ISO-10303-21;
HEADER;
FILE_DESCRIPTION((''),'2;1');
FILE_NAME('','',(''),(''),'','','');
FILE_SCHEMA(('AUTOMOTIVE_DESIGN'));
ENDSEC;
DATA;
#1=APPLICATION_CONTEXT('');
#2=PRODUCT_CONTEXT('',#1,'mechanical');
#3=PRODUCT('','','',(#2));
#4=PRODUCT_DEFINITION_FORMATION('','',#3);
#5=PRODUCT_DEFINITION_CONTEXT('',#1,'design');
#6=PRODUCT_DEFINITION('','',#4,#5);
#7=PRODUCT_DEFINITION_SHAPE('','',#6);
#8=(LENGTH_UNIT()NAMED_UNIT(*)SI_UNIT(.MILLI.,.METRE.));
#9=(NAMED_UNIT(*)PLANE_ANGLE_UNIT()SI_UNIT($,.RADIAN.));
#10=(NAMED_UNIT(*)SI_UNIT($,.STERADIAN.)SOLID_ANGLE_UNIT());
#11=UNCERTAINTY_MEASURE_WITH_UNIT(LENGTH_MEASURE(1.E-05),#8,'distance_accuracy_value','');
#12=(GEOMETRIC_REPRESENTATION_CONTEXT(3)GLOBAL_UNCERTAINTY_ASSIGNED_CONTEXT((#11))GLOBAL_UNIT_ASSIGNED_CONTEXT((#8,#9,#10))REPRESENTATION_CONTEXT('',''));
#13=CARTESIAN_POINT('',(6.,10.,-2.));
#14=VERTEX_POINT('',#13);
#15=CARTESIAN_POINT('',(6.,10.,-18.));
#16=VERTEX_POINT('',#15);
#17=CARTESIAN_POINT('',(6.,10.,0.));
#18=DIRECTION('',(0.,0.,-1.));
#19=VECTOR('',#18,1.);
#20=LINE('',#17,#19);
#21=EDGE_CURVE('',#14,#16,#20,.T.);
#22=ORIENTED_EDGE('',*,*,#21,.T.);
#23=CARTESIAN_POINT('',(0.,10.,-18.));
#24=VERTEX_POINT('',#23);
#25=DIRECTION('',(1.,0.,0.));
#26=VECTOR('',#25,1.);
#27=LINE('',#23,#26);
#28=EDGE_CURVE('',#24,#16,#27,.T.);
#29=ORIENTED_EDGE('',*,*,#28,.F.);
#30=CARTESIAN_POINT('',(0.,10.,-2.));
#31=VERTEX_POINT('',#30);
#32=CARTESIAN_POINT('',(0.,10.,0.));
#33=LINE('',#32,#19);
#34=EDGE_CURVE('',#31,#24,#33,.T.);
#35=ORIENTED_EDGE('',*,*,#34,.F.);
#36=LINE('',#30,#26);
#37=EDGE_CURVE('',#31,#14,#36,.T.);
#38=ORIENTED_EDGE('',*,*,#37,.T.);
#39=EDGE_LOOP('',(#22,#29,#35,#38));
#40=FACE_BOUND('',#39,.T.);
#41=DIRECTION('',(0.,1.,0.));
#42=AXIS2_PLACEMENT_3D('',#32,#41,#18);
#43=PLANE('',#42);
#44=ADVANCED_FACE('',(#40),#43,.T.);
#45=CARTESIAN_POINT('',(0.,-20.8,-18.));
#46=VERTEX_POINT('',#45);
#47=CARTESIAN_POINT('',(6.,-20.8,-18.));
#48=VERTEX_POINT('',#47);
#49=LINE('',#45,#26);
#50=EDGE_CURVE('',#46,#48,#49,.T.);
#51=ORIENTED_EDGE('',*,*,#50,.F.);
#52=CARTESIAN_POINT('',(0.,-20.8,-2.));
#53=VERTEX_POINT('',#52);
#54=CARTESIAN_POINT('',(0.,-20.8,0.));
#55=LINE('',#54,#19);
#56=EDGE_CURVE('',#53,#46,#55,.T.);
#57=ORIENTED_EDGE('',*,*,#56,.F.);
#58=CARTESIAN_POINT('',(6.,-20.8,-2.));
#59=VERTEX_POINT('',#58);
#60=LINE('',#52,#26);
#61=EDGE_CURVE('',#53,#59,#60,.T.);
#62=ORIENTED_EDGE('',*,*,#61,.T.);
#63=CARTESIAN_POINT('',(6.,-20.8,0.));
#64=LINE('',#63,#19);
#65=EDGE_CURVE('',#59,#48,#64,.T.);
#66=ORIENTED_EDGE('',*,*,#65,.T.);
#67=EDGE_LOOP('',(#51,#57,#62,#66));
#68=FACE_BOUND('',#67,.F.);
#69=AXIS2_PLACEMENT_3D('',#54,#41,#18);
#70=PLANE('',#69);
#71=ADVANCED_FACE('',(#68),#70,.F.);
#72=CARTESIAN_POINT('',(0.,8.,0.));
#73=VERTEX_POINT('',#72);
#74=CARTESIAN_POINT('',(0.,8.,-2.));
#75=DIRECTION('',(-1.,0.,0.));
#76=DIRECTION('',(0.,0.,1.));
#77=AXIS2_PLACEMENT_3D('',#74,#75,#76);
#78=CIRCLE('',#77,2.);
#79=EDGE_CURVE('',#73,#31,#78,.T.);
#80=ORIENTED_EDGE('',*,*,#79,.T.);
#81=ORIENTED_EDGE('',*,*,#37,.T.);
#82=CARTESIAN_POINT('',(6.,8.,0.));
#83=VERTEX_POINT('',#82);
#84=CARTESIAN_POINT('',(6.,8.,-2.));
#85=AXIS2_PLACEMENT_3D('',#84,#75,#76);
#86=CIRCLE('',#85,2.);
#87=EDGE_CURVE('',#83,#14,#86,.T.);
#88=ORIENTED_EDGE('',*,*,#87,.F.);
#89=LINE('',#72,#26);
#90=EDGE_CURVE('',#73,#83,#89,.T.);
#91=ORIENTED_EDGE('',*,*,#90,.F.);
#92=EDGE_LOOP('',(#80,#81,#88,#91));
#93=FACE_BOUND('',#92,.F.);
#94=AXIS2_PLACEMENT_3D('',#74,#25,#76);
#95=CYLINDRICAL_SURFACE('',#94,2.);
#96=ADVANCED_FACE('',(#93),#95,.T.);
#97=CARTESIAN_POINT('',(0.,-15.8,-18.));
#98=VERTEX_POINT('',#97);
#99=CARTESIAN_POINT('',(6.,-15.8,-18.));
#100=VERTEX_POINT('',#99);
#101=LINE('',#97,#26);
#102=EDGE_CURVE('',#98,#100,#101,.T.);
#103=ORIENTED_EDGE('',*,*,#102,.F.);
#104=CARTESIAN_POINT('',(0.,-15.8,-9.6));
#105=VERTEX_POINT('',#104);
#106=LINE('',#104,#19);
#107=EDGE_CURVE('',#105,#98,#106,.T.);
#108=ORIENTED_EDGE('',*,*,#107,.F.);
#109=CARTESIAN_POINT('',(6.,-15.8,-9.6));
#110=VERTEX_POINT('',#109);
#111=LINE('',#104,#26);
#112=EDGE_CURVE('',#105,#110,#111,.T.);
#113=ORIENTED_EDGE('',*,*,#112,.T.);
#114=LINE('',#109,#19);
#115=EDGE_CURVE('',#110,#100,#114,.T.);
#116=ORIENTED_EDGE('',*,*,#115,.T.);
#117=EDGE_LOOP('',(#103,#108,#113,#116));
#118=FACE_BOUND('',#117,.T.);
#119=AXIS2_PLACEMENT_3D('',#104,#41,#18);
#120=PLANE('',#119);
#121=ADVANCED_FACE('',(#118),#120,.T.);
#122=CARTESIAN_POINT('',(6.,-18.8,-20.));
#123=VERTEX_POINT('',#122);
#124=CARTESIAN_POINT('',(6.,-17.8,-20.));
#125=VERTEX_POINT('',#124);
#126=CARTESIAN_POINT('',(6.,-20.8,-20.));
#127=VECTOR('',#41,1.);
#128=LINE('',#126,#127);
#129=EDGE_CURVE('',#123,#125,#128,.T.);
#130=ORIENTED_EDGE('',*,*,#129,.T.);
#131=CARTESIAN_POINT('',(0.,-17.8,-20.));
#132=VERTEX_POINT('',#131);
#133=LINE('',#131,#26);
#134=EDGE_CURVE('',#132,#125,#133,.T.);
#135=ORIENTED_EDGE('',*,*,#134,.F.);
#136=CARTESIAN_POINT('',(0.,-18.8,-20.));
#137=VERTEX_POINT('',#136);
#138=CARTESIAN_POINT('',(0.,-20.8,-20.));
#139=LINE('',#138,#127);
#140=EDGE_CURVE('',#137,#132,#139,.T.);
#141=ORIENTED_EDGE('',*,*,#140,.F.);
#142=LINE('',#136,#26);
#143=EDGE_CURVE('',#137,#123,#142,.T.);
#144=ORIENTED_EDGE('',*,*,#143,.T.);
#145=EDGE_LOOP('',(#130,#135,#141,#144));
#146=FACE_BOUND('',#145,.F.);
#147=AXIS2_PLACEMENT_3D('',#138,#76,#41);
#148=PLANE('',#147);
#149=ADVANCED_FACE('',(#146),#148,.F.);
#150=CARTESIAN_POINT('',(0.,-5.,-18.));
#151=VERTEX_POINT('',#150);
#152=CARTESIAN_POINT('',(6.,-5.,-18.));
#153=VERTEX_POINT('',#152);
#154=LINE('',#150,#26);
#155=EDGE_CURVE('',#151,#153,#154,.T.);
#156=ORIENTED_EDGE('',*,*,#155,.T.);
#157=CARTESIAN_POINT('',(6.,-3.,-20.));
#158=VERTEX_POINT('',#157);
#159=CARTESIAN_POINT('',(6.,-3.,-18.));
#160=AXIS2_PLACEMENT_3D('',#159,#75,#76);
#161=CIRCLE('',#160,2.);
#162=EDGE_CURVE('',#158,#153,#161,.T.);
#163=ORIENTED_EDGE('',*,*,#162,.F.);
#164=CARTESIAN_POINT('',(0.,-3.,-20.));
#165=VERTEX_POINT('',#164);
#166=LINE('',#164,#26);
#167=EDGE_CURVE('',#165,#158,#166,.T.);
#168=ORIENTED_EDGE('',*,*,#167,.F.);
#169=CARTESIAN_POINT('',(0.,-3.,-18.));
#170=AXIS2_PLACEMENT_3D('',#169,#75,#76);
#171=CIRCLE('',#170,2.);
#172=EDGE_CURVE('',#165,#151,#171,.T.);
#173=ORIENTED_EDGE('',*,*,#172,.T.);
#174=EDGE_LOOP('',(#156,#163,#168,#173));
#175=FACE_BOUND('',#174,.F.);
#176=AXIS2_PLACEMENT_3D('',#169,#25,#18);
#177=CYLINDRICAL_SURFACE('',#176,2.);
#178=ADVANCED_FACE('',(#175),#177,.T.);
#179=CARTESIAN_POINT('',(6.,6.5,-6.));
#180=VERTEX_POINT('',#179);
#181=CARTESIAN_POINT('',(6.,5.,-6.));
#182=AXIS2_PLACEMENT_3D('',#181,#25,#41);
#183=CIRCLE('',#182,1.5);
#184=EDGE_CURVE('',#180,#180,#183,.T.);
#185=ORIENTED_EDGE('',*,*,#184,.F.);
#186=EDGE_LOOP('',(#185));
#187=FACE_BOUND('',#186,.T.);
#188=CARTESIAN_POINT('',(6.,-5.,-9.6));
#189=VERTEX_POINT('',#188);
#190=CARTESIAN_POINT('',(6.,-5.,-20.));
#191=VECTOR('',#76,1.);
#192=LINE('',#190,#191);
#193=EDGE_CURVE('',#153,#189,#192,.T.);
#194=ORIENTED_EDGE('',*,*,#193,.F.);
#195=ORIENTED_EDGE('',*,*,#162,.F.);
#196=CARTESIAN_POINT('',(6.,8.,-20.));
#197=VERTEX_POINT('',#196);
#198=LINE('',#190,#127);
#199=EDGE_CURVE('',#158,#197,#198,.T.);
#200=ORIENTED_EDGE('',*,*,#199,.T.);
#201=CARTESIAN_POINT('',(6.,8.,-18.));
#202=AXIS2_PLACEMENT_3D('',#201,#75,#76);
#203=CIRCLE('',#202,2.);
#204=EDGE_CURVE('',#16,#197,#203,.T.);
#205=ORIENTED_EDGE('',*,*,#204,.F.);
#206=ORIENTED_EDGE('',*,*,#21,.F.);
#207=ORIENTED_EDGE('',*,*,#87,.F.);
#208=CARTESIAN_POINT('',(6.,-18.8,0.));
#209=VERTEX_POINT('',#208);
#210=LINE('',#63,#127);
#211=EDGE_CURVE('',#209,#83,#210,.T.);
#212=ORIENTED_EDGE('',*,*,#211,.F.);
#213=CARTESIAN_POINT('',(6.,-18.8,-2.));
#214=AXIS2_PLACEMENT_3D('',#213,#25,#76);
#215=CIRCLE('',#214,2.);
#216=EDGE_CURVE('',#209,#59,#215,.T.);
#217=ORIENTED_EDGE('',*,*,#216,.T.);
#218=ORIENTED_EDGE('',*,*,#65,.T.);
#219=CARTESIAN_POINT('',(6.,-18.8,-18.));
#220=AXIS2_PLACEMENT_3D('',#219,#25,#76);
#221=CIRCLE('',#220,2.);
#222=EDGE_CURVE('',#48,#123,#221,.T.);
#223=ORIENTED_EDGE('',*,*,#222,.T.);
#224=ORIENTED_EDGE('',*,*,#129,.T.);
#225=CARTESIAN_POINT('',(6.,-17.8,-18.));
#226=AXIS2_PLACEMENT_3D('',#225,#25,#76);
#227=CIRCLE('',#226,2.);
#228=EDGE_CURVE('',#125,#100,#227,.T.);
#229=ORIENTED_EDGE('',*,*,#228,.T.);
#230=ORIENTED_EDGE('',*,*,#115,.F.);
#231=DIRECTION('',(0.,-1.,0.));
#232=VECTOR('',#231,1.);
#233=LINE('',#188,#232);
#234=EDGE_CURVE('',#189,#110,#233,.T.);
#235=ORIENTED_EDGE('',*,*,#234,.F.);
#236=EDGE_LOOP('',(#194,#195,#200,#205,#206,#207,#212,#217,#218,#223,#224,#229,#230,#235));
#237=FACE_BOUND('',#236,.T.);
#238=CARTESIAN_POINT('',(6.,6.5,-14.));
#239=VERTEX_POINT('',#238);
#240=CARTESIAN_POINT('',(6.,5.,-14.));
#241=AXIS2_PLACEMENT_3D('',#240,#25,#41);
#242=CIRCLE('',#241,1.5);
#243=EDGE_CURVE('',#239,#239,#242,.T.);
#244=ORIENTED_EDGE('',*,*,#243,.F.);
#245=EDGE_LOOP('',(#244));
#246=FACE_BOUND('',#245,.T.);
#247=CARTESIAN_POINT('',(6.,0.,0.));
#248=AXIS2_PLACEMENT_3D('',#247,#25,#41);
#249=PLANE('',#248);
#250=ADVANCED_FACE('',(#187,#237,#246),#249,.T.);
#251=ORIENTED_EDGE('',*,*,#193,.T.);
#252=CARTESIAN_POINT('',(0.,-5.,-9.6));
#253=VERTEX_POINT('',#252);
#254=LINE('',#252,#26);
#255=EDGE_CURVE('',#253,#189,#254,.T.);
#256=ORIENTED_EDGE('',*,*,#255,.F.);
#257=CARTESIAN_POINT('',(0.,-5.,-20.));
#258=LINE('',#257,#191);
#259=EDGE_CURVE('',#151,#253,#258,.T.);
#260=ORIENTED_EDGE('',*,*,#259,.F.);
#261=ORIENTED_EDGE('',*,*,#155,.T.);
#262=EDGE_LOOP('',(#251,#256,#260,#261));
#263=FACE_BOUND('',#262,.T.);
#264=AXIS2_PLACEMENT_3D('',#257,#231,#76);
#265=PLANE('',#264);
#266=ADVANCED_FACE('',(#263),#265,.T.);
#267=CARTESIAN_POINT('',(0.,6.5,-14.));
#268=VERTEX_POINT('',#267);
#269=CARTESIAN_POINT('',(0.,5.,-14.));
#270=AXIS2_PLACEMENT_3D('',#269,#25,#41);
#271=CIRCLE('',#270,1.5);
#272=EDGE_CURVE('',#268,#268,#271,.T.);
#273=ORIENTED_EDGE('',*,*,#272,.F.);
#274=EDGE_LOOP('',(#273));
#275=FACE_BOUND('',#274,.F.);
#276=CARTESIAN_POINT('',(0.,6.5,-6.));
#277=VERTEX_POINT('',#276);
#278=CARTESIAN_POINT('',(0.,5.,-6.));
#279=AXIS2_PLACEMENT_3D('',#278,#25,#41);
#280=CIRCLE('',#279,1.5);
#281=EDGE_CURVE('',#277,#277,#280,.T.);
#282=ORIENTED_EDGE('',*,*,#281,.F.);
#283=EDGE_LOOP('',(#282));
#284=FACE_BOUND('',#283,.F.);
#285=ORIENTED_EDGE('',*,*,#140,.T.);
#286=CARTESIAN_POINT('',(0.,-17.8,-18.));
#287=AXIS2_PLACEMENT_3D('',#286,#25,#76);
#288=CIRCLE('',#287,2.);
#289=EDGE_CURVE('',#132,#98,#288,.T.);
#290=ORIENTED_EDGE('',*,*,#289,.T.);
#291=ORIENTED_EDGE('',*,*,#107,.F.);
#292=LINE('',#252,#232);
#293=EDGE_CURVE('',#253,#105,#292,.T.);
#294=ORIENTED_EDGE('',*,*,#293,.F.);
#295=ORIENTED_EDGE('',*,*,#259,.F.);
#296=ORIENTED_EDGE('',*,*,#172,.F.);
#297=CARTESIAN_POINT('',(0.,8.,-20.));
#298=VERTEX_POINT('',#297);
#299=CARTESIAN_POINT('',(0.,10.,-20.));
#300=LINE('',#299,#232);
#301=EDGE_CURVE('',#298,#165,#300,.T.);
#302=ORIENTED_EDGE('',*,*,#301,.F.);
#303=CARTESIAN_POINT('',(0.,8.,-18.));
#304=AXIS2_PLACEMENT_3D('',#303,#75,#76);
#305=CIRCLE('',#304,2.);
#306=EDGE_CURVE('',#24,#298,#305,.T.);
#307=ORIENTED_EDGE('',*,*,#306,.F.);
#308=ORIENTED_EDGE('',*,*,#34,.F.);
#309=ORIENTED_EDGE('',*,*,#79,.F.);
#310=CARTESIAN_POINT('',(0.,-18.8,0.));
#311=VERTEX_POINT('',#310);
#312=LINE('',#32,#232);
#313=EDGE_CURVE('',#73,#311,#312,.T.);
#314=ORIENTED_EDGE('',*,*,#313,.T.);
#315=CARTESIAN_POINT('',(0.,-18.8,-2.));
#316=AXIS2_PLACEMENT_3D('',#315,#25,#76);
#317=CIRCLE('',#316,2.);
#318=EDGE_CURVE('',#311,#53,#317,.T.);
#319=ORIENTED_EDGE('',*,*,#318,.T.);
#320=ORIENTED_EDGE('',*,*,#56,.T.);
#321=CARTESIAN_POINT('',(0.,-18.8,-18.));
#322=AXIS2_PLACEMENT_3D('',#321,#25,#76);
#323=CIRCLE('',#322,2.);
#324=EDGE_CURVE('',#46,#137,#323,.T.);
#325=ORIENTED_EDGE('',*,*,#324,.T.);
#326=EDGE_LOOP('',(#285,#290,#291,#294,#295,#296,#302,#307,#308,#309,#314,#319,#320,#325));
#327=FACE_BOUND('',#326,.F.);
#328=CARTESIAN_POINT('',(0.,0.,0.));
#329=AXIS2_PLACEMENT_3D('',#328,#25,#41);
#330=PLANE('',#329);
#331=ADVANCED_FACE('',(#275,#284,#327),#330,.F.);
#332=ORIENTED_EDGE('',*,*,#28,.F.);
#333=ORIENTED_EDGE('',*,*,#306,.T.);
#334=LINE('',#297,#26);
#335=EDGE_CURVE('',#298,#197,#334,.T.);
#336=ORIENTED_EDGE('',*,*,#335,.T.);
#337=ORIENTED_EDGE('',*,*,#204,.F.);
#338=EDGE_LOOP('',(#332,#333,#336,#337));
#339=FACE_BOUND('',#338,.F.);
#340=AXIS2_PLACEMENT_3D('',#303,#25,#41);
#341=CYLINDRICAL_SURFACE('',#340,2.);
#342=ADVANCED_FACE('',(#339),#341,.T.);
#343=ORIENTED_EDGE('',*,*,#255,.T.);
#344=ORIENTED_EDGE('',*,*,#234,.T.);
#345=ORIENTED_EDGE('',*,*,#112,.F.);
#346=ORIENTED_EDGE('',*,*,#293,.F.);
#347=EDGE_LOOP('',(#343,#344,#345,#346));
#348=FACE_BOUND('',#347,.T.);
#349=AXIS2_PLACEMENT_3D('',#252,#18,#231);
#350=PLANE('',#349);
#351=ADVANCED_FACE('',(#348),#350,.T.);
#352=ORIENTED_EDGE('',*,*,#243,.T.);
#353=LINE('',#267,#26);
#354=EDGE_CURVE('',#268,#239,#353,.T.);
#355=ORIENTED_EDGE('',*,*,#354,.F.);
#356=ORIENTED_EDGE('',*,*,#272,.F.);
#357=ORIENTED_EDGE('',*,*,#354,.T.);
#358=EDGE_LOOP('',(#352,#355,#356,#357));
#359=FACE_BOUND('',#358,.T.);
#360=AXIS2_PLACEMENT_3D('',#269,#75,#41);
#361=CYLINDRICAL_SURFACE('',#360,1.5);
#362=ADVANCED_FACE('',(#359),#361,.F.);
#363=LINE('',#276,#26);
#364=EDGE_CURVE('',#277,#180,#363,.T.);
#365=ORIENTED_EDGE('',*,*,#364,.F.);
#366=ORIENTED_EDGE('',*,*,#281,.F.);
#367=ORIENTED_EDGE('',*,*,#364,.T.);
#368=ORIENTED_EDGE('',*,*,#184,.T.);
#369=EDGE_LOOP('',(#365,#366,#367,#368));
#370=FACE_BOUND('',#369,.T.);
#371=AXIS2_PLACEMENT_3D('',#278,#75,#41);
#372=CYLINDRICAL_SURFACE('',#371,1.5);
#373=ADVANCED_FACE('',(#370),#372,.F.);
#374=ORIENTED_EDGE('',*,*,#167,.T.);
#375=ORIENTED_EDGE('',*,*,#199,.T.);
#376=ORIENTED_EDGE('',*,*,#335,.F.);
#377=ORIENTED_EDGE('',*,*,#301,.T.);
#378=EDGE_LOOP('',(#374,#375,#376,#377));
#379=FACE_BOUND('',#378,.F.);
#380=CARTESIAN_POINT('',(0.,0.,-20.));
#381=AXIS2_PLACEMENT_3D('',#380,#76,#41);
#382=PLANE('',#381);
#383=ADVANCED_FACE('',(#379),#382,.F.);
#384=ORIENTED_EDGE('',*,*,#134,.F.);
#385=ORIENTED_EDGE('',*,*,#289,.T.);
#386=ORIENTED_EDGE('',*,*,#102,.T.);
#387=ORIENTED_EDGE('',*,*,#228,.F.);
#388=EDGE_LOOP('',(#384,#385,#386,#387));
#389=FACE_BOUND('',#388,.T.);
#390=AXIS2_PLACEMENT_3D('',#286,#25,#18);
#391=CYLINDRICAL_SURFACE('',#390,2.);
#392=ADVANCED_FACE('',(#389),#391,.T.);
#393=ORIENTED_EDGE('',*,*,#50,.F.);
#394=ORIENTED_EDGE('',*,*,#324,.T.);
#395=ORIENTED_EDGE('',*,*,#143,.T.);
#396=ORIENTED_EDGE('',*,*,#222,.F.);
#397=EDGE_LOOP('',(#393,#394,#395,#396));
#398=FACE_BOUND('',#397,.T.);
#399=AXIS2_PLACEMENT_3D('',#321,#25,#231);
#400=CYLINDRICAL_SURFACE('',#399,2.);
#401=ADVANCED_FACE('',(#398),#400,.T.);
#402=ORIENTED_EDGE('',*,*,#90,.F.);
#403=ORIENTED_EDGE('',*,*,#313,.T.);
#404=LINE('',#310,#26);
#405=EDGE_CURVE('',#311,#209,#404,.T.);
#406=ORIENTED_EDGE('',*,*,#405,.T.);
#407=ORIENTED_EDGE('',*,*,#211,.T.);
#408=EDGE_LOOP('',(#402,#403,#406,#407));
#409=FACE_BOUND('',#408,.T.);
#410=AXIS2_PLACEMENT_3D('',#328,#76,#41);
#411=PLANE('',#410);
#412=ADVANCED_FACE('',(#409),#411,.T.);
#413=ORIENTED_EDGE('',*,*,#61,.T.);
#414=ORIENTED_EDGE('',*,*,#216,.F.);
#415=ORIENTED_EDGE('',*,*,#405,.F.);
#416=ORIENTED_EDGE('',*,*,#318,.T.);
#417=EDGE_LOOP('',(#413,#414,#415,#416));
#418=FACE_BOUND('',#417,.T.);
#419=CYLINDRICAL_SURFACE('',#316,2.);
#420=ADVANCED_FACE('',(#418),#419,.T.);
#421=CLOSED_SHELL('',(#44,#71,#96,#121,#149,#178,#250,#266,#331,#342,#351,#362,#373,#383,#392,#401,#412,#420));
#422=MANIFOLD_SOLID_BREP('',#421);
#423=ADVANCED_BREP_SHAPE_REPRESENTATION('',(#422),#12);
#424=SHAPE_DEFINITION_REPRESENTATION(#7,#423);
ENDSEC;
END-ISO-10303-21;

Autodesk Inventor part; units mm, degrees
ref_plane "YZ Plane" through (0, 0, 0) normal (1, 0, 0) x (0, 1, 0)
ref_plane "XZ Plane" through (0, 0, 0) normal (0, 1, 0) x (-1, 0, 0)
ref_plane "XY Plane" through (0, 0, 0) normal (0, 0, 1) x (1, 0, 0)
sketch "スケッチ1" plane through (0, 0, 0) normal (1, 0, 0) x (0, 1, 0)
  line L0 (0, 0) -> (10, 0)
  line L1 (10, 0) -> (10, -61.0895)
  line L2 (10, -61.0895) -> (0, -61.0895)
  line L3 (0, -61.0895) -> (0, 0)
  line L4 (10, 0) -> (-20.8, 0)
  line L5 (-20.8, 0) -> (-20.8, -20)
  line L6 (-20.8, -20) -> (10, -20)
  line L7 (10, -20) -> (10, 0)
  line L8 (-15.8, -20) -> (-5, -20)
  line L9 (-5, -20) -> (-5, -9.6)
  line L10 (-5, -9.6) -> (-15.8, -9.6)
  line L11 (-15.8, -9.6) -> (-15.8, -20)
  circle A0 centre (5, -6) radius 1.5
  circle A1 centre (5, -14) radius 1.5
  point P0 (-5.4, -20)
  dimension "d0" = 10
  dimension "d2" = 20
  dimension "d4" = 10.4
  dimension "d5" = 5
  dimension "d6" = 3
  dimension "d7" = 3
  dimension "d8" = 6
  dimension "d9" = 8
  dimension "d10" = 5
  dimension "d11" = 5
  dimension "d14" = 5
  dimension "d15" = 10.8
extrude "押し出し1" add sketch "スケッチ1" along normal blind 6 contours L0 L1 L6 L3 | L3 L6 L9 L10 L11 L5 L4
fillet "フィレット1" radius 2 6 edges at (3, 10, -20) (3, 10, 0) (3, -20.8, 0) (3, -20.8, -20) (3, -5, -20) (3, -15.8, -20)
sketch "スケッチ2" plane through (6, 0, 0) normal (1, 0, 0) x (0, 0, -1)
  arc A0 (20, -17.8) -> (18, -15.8) centre (18, -17.8) ccw projected
  line L0 (18, -15.8) -> (9.6, -15.8) projected
  line L1 (9.6, -15.8) -> (9.6, -5) projected
  line L2 (9.6, -5) -> (18, -5) projected
  arc A1 (18, -5) -> (20, -3) centre (18, -3) ccw projected
  line L3 (20, -3) -> (20, 8) projected
  arc A2 (20, 8) -> (18, 10) centre (18, 8) ccw projected
  line L4 (18, 10) -> (2, 10) projected
  arc A3 (2, 10) -> (0, 8) centre (2, 8) ccw projected
  line L5 (0, 8) -> (0, -18.8) projected
  arc A4 (0, -18.8) -> (2, -20.8) centre (2, -18.8) ccw projected
  line L6 (2, -20.8) -> (18, -20.8) projected
  arc A5 (18, -20.8) -> (20, -18.8) centre (18, -18.8) ccw projected
  line L7 (20, -18.8) -> (20, -17.8) projected
  circle A6 centre (6, 5) radius 1.5 projected
  circle A7 centre (14, 5) radius 1.5 projected
  point P0 (0, 0)
equation "\"d11\" = d10"
properties part number "base_weel-v2-POM-pc-F-2" material "ABS プラスチック"
